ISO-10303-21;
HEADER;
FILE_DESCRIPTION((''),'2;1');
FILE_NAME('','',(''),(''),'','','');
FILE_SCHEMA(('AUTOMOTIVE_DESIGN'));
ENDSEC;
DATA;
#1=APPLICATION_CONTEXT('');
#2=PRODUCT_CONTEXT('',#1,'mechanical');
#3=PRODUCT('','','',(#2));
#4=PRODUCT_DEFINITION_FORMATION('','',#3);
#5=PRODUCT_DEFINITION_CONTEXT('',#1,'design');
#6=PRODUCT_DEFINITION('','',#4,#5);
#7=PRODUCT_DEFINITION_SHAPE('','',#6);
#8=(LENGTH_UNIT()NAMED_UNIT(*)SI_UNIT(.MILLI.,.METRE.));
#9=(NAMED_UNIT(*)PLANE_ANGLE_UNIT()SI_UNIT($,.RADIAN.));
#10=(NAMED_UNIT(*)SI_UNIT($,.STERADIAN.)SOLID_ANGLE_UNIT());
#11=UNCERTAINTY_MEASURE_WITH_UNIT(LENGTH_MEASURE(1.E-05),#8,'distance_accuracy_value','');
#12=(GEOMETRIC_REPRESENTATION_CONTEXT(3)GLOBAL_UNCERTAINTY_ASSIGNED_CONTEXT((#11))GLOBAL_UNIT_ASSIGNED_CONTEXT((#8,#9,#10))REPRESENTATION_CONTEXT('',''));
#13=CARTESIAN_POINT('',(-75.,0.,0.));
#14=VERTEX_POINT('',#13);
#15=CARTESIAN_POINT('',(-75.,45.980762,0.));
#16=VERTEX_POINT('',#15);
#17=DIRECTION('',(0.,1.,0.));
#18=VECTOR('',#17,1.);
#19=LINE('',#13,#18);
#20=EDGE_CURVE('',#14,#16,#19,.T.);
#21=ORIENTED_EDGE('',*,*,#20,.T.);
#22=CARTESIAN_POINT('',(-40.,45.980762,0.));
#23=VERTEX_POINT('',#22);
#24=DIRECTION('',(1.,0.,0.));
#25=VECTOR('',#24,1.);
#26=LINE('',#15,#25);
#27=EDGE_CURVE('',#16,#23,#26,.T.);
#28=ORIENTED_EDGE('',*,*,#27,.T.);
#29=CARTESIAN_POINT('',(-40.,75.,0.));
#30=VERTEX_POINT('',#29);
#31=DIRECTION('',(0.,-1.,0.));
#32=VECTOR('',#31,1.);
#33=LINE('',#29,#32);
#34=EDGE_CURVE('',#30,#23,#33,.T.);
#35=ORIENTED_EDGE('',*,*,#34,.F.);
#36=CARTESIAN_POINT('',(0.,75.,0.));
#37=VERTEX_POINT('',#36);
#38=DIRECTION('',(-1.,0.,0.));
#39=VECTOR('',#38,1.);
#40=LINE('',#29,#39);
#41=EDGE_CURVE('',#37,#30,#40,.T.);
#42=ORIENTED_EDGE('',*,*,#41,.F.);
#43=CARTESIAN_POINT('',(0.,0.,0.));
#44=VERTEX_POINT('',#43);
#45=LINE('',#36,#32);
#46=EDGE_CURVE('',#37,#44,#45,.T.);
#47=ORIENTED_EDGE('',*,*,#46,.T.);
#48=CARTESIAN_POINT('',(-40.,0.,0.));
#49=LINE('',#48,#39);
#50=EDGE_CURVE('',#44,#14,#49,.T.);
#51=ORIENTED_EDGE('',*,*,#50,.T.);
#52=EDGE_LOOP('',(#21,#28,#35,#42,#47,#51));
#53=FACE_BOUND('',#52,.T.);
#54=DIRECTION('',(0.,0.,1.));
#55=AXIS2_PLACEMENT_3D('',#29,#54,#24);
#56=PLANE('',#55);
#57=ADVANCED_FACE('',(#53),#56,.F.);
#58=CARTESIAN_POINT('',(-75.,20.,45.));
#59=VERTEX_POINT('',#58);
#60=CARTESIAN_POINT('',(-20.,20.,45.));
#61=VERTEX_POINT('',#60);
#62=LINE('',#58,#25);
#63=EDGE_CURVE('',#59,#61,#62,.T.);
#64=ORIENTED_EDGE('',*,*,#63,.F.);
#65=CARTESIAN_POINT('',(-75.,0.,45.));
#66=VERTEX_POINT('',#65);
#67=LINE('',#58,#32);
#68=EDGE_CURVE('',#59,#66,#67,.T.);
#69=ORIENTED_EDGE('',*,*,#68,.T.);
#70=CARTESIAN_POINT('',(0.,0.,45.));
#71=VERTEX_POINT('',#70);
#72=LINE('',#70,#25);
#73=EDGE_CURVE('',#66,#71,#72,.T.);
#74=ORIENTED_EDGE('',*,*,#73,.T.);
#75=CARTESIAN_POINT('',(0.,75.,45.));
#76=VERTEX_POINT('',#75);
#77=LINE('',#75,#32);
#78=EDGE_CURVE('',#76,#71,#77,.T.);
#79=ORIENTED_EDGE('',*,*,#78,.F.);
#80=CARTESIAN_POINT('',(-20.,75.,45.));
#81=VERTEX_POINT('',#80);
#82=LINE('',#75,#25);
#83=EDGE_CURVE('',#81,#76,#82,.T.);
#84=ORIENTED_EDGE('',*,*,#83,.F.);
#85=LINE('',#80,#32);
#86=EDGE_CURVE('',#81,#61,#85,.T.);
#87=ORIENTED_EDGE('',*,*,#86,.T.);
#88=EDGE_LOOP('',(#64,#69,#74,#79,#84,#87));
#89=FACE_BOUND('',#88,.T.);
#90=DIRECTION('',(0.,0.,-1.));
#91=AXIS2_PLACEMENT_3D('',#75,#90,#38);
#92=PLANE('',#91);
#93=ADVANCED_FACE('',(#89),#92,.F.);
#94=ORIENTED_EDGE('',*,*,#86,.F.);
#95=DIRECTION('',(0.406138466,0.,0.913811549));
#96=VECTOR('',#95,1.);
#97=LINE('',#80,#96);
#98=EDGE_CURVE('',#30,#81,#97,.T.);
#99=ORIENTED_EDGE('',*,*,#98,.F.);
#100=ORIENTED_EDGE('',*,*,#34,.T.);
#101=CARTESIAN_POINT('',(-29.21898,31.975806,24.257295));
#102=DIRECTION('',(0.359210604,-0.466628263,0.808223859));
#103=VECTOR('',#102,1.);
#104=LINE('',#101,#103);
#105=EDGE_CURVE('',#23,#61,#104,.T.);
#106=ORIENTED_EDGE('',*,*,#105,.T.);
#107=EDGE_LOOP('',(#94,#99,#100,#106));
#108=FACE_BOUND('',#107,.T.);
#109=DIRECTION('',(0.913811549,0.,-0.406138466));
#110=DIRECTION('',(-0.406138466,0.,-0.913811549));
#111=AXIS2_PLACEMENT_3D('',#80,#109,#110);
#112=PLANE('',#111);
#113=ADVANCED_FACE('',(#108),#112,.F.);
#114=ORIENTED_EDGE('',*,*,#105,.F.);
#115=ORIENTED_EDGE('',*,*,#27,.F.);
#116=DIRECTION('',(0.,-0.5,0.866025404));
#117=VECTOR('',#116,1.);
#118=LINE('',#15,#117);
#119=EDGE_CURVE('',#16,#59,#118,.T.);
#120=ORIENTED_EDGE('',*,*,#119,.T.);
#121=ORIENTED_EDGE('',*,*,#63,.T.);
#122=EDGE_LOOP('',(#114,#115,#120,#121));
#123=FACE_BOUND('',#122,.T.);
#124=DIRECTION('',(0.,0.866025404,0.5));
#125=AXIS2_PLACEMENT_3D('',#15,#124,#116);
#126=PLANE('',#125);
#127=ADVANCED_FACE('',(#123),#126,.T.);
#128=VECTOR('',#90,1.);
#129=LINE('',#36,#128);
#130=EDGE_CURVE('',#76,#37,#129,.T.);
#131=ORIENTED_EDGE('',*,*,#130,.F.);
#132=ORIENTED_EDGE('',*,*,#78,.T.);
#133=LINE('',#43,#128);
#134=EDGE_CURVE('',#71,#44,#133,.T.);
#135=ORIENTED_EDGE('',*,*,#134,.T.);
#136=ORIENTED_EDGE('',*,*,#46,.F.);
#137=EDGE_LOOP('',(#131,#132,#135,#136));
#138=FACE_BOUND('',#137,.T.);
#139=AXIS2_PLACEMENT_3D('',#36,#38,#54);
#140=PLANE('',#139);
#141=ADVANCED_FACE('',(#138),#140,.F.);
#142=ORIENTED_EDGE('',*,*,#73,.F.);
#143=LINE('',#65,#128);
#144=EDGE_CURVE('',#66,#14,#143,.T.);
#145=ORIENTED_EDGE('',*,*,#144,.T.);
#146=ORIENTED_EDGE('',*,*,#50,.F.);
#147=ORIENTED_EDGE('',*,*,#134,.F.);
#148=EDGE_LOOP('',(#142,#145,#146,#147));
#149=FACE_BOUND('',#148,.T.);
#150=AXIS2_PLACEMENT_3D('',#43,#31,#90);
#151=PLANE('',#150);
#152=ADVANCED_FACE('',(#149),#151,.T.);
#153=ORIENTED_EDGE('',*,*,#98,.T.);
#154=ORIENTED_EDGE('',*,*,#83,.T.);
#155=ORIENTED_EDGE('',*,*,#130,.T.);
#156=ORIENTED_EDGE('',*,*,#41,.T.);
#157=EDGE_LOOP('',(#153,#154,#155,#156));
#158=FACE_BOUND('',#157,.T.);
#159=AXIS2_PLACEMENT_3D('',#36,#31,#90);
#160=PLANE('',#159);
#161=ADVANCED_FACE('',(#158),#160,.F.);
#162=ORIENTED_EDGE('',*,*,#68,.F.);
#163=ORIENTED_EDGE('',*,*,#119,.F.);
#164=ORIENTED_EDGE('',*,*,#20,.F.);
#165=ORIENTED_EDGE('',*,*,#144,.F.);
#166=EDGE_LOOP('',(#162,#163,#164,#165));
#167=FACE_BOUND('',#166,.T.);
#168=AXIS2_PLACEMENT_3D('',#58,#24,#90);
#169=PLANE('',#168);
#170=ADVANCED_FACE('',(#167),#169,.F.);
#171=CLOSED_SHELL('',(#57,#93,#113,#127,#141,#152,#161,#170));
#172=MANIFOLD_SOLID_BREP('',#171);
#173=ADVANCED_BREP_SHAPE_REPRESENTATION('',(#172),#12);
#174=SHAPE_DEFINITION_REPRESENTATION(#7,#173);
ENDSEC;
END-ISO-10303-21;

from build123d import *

# Parameters (mm, degrees)
EXTRUDE1_DEPTH = 75
EXTRUDE2_DEPTH = 75


with BuildPart() as part:
    # Sketch1 → Extrude1 (new body)
    with BuildSketch(Plane(origin=(0, 0, 0), x_dir=(1, 0, 0), z_dir=(0, 1, 0))):
        Polygon((0, 0), (0, -45), (-20, -45), (-40, 0), align=None)
    extrude(amount=EXTRUDE1_DEPTH)

    # Sketch2 → Extrude2 (add)
    with BuildSketch(Plane(origin=(0, 0, 0), x_dir=(0, 0, -1), z_dir=(1, 0, 0))):
        Polygon((-45, 20), (-45, 0), (0, 0), (0, 45.980762114), align=None)
    extrude(amount=-EXTRUDE2_DEPTH)


solid = part.part
